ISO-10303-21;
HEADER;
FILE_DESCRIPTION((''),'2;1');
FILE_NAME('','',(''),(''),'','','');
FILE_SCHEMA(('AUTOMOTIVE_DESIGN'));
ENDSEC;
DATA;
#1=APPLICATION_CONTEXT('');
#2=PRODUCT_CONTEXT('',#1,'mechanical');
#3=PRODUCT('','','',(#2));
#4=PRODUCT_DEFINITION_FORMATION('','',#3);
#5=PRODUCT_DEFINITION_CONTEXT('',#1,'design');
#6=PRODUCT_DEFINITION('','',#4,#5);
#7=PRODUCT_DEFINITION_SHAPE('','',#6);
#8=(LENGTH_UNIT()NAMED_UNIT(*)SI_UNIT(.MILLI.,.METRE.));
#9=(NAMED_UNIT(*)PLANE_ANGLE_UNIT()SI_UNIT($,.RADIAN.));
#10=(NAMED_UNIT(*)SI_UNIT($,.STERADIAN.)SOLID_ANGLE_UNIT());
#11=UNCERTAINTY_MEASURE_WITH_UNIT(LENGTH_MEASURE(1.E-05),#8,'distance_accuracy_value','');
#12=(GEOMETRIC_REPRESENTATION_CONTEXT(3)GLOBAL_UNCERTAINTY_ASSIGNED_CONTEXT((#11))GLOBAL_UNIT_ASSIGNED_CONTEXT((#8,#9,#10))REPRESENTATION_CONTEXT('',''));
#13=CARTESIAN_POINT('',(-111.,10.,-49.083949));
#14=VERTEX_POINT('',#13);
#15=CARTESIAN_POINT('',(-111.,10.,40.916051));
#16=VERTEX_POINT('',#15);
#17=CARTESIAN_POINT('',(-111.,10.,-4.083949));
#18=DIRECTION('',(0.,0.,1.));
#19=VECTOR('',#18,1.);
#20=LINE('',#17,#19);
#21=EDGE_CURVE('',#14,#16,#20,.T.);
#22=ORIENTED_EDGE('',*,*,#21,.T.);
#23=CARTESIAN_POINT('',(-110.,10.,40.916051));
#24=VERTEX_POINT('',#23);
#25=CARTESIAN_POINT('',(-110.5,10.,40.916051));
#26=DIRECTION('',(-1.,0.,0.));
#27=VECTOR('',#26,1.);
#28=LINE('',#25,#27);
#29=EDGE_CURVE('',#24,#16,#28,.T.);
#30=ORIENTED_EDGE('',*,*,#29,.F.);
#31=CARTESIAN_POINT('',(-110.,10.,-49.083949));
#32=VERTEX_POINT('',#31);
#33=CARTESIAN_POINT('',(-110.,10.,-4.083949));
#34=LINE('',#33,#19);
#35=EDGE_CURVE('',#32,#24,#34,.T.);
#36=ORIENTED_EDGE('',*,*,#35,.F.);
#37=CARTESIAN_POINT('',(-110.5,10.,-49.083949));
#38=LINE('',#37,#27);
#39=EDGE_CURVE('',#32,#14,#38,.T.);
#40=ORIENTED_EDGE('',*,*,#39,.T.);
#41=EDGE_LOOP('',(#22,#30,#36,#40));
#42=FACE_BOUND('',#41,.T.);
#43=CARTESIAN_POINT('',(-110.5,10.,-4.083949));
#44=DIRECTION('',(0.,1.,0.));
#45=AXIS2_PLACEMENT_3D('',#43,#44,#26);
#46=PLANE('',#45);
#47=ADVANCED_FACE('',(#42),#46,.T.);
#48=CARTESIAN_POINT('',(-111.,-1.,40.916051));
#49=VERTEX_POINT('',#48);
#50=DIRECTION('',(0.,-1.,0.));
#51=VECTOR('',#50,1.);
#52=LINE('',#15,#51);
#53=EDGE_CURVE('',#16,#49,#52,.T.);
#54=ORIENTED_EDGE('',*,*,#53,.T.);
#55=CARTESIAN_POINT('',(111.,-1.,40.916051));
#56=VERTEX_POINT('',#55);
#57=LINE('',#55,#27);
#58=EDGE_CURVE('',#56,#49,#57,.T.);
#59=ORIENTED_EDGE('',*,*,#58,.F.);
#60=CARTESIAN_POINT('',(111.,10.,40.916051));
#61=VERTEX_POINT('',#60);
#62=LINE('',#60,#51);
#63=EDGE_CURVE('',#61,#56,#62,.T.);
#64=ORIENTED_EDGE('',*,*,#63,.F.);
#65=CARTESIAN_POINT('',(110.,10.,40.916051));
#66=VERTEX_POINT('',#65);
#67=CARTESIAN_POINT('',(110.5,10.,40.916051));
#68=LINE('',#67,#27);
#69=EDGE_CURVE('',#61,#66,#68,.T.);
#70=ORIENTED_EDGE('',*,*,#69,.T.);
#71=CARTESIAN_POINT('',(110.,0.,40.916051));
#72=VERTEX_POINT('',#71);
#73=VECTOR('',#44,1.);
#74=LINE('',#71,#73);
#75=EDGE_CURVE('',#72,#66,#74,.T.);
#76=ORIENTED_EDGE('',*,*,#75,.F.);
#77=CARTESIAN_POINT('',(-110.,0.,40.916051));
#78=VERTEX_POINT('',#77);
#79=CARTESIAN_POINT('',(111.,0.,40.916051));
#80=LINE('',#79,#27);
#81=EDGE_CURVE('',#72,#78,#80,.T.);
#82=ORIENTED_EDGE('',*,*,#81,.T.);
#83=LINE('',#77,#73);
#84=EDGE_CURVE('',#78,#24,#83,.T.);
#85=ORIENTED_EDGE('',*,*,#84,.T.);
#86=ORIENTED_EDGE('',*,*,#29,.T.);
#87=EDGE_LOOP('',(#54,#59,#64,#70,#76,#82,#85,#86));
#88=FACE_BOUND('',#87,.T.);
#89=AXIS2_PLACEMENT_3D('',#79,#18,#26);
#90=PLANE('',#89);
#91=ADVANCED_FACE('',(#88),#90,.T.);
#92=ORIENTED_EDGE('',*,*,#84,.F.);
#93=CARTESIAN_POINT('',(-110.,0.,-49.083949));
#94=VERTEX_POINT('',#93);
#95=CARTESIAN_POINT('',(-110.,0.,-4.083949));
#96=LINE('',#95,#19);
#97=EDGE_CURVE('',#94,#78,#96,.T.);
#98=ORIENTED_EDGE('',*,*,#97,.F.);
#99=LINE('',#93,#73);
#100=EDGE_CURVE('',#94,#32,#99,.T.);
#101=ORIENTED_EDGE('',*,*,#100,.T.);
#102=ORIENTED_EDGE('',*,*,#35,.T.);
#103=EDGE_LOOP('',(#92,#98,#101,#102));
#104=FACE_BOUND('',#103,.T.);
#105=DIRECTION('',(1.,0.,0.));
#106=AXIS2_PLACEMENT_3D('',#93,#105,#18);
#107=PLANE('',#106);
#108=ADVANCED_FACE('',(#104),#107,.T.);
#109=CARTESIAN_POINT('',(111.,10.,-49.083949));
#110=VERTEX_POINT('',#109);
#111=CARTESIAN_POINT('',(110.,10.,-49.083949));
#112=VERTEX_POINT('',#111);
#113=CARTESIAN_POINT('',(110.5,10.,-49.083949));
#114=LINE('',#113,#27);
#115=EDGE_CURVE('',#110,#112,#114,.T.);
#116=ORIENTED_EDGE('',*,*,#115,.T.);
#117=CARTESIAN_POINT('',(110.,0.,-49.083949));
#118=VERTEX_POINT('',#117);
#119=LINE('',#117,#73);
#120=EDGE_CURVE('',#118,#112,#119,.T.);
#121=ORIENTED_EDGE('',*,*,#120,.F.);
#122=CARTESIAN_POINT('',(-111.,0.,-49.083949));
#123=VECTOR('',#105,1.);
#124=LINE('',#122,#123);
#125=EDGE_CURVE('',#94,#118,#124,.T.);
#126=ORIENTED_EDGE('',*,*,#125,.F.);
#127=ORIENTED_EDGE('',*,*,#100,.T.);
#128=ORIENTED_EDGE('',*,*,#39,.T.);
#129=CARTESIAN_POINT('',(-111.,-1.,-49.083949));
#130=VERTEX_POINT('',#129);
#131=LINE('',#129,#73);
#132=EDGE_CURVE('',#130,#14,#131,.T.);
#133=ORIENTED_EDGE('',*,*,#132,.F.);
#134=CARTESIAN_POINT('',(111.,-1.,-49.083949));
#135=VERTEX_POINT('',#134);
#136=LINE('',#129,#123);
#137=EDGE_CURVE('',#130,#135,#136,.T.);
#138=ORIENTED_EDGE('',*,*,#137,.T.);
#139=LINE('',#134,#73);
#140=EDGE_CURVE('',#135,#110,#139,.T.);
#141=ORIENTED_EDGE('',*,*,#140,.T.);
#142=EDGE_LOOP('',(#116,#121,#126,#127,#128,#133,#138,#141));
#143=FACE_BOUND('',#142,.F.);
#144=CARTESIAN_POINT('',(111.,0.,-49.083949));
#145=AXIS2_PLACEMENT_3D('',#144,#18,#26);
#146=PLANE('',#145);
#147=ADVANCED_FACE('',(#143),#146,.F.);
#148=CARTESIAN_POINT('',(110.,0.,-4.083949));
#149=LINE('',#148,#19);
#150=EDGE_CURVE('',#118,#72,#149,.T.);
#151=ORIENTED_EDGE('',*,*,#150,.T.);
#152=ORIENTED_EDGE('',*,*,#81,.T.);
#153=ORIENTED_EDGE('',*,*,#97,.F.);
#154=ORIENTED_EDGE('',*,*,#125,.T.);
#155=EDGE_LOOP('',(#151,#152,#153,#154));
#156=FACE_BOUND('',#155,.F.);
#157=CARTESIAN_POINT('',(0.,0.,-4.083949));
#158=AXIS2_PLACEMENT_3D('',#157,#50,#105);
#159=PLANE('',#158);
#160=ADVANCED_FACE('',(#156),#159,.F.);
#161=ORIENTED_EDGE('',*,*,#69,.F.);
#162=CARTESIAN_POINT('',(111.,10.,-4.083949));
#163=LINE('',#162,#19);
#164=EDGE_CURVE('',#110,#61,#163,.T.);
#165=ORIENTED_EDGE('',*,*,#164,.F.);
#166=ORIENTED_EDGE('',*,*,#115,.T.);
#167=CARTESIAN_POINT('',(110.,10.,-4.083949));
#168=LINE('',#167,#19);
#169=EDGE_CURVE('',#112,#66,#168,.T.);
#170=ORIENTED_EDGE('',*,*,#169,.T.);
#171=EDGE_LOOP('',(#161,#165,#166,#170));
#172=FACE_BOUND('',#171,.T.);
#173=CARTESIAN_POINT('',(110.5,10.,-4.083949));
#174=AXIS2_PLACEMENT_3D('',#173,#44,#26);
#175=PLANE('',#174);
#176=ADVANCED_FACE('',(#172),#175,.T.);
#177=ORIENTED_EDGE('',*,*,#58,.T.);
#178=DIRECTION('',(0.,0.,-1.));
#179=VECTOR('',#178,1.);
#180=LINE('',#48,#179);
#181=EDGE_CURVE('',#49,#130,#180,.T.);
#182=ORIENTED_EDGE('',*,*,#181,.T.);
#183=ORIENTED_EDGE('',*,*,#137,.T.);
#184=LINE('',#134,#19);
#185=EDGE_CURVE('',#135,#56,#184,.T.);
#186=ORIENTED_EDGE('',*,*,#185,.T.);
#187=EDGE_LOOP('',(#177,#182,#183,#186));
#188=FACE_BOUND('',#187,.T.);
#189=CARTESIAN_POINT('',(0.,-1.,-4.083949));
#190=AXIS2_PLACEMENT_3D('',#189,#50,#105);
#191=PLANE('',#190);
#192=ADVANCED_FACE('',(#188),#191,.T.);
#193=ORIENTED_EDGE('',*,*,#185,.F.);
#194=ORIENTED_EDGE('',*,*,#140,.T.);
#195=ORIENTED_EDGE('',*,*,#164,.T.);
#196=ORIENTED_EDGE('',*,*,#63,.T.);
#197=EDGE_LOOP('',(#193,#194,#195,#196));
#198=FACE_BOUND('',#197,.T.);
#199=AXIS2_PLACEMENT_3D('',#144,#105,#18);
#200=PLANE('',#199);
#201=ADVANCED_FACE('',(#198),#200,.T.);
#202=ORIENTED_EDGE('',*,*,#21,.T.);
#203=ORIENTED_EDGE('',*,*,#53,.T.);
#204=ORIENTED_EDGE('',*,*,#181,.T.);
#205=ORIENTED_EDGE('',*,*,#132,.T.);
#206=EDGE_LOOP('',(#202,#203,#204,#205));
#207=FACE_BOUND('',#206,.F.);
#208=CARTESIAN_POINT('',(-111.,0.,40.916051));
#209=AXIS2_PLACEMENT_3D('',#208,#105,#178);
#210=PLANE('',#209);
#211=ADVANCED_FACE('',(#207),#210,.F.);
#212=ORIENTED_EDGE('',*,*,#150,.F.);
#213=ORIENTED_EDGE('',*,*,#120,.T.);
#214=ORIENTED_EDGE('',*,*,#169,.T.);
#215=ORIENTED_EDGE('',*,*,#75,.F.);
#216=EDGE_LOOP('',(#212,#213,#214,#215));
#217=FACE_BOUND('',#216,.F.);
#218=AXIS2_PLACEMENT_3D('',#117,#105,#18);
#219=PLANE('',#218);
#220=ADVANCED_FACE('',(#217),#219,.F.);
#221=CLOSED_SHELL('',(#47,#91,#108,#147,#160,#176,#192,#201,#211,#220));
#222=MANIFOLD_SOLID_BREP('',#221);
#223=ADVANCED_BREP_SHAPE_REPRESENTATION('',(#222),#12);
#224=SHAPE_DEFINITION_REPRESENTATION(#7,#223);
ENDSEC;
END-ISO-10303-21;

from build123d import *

# Parameters (mm, degrees)
F1_DEPTH = 1
F2_W     = 1
F2_H     = 90
F3_DEPTH = 10


with BuildPart() as f1:
    # F0 (on Front) → F1 (new body)
    with BuildSketch(Plane.XZ):
        Polygon((111, -49.083949), (111, 40.916051), (60.5, 40.916051), (0, 40.916051), (-111, 40.916051), (-111, -49.083949), align=None)
    extrude(amount=F1_DEPTH)

    # F2 (on face) → F3 (join)
    with BuildSketch(Plane(origin=(0, 0, 0), x_dir=(-1, 0, 0), z_dir=(0, 1, 0))):
        with Locations((-110.5, -4.083949)):
            Rectangle(F2_W, F2_H)
        with Locations((110.5, -4.083949)):
            Rectangle(F2_W, F2_H)
    extrude(amount=F3_DEPTH)


solid = f1.part
